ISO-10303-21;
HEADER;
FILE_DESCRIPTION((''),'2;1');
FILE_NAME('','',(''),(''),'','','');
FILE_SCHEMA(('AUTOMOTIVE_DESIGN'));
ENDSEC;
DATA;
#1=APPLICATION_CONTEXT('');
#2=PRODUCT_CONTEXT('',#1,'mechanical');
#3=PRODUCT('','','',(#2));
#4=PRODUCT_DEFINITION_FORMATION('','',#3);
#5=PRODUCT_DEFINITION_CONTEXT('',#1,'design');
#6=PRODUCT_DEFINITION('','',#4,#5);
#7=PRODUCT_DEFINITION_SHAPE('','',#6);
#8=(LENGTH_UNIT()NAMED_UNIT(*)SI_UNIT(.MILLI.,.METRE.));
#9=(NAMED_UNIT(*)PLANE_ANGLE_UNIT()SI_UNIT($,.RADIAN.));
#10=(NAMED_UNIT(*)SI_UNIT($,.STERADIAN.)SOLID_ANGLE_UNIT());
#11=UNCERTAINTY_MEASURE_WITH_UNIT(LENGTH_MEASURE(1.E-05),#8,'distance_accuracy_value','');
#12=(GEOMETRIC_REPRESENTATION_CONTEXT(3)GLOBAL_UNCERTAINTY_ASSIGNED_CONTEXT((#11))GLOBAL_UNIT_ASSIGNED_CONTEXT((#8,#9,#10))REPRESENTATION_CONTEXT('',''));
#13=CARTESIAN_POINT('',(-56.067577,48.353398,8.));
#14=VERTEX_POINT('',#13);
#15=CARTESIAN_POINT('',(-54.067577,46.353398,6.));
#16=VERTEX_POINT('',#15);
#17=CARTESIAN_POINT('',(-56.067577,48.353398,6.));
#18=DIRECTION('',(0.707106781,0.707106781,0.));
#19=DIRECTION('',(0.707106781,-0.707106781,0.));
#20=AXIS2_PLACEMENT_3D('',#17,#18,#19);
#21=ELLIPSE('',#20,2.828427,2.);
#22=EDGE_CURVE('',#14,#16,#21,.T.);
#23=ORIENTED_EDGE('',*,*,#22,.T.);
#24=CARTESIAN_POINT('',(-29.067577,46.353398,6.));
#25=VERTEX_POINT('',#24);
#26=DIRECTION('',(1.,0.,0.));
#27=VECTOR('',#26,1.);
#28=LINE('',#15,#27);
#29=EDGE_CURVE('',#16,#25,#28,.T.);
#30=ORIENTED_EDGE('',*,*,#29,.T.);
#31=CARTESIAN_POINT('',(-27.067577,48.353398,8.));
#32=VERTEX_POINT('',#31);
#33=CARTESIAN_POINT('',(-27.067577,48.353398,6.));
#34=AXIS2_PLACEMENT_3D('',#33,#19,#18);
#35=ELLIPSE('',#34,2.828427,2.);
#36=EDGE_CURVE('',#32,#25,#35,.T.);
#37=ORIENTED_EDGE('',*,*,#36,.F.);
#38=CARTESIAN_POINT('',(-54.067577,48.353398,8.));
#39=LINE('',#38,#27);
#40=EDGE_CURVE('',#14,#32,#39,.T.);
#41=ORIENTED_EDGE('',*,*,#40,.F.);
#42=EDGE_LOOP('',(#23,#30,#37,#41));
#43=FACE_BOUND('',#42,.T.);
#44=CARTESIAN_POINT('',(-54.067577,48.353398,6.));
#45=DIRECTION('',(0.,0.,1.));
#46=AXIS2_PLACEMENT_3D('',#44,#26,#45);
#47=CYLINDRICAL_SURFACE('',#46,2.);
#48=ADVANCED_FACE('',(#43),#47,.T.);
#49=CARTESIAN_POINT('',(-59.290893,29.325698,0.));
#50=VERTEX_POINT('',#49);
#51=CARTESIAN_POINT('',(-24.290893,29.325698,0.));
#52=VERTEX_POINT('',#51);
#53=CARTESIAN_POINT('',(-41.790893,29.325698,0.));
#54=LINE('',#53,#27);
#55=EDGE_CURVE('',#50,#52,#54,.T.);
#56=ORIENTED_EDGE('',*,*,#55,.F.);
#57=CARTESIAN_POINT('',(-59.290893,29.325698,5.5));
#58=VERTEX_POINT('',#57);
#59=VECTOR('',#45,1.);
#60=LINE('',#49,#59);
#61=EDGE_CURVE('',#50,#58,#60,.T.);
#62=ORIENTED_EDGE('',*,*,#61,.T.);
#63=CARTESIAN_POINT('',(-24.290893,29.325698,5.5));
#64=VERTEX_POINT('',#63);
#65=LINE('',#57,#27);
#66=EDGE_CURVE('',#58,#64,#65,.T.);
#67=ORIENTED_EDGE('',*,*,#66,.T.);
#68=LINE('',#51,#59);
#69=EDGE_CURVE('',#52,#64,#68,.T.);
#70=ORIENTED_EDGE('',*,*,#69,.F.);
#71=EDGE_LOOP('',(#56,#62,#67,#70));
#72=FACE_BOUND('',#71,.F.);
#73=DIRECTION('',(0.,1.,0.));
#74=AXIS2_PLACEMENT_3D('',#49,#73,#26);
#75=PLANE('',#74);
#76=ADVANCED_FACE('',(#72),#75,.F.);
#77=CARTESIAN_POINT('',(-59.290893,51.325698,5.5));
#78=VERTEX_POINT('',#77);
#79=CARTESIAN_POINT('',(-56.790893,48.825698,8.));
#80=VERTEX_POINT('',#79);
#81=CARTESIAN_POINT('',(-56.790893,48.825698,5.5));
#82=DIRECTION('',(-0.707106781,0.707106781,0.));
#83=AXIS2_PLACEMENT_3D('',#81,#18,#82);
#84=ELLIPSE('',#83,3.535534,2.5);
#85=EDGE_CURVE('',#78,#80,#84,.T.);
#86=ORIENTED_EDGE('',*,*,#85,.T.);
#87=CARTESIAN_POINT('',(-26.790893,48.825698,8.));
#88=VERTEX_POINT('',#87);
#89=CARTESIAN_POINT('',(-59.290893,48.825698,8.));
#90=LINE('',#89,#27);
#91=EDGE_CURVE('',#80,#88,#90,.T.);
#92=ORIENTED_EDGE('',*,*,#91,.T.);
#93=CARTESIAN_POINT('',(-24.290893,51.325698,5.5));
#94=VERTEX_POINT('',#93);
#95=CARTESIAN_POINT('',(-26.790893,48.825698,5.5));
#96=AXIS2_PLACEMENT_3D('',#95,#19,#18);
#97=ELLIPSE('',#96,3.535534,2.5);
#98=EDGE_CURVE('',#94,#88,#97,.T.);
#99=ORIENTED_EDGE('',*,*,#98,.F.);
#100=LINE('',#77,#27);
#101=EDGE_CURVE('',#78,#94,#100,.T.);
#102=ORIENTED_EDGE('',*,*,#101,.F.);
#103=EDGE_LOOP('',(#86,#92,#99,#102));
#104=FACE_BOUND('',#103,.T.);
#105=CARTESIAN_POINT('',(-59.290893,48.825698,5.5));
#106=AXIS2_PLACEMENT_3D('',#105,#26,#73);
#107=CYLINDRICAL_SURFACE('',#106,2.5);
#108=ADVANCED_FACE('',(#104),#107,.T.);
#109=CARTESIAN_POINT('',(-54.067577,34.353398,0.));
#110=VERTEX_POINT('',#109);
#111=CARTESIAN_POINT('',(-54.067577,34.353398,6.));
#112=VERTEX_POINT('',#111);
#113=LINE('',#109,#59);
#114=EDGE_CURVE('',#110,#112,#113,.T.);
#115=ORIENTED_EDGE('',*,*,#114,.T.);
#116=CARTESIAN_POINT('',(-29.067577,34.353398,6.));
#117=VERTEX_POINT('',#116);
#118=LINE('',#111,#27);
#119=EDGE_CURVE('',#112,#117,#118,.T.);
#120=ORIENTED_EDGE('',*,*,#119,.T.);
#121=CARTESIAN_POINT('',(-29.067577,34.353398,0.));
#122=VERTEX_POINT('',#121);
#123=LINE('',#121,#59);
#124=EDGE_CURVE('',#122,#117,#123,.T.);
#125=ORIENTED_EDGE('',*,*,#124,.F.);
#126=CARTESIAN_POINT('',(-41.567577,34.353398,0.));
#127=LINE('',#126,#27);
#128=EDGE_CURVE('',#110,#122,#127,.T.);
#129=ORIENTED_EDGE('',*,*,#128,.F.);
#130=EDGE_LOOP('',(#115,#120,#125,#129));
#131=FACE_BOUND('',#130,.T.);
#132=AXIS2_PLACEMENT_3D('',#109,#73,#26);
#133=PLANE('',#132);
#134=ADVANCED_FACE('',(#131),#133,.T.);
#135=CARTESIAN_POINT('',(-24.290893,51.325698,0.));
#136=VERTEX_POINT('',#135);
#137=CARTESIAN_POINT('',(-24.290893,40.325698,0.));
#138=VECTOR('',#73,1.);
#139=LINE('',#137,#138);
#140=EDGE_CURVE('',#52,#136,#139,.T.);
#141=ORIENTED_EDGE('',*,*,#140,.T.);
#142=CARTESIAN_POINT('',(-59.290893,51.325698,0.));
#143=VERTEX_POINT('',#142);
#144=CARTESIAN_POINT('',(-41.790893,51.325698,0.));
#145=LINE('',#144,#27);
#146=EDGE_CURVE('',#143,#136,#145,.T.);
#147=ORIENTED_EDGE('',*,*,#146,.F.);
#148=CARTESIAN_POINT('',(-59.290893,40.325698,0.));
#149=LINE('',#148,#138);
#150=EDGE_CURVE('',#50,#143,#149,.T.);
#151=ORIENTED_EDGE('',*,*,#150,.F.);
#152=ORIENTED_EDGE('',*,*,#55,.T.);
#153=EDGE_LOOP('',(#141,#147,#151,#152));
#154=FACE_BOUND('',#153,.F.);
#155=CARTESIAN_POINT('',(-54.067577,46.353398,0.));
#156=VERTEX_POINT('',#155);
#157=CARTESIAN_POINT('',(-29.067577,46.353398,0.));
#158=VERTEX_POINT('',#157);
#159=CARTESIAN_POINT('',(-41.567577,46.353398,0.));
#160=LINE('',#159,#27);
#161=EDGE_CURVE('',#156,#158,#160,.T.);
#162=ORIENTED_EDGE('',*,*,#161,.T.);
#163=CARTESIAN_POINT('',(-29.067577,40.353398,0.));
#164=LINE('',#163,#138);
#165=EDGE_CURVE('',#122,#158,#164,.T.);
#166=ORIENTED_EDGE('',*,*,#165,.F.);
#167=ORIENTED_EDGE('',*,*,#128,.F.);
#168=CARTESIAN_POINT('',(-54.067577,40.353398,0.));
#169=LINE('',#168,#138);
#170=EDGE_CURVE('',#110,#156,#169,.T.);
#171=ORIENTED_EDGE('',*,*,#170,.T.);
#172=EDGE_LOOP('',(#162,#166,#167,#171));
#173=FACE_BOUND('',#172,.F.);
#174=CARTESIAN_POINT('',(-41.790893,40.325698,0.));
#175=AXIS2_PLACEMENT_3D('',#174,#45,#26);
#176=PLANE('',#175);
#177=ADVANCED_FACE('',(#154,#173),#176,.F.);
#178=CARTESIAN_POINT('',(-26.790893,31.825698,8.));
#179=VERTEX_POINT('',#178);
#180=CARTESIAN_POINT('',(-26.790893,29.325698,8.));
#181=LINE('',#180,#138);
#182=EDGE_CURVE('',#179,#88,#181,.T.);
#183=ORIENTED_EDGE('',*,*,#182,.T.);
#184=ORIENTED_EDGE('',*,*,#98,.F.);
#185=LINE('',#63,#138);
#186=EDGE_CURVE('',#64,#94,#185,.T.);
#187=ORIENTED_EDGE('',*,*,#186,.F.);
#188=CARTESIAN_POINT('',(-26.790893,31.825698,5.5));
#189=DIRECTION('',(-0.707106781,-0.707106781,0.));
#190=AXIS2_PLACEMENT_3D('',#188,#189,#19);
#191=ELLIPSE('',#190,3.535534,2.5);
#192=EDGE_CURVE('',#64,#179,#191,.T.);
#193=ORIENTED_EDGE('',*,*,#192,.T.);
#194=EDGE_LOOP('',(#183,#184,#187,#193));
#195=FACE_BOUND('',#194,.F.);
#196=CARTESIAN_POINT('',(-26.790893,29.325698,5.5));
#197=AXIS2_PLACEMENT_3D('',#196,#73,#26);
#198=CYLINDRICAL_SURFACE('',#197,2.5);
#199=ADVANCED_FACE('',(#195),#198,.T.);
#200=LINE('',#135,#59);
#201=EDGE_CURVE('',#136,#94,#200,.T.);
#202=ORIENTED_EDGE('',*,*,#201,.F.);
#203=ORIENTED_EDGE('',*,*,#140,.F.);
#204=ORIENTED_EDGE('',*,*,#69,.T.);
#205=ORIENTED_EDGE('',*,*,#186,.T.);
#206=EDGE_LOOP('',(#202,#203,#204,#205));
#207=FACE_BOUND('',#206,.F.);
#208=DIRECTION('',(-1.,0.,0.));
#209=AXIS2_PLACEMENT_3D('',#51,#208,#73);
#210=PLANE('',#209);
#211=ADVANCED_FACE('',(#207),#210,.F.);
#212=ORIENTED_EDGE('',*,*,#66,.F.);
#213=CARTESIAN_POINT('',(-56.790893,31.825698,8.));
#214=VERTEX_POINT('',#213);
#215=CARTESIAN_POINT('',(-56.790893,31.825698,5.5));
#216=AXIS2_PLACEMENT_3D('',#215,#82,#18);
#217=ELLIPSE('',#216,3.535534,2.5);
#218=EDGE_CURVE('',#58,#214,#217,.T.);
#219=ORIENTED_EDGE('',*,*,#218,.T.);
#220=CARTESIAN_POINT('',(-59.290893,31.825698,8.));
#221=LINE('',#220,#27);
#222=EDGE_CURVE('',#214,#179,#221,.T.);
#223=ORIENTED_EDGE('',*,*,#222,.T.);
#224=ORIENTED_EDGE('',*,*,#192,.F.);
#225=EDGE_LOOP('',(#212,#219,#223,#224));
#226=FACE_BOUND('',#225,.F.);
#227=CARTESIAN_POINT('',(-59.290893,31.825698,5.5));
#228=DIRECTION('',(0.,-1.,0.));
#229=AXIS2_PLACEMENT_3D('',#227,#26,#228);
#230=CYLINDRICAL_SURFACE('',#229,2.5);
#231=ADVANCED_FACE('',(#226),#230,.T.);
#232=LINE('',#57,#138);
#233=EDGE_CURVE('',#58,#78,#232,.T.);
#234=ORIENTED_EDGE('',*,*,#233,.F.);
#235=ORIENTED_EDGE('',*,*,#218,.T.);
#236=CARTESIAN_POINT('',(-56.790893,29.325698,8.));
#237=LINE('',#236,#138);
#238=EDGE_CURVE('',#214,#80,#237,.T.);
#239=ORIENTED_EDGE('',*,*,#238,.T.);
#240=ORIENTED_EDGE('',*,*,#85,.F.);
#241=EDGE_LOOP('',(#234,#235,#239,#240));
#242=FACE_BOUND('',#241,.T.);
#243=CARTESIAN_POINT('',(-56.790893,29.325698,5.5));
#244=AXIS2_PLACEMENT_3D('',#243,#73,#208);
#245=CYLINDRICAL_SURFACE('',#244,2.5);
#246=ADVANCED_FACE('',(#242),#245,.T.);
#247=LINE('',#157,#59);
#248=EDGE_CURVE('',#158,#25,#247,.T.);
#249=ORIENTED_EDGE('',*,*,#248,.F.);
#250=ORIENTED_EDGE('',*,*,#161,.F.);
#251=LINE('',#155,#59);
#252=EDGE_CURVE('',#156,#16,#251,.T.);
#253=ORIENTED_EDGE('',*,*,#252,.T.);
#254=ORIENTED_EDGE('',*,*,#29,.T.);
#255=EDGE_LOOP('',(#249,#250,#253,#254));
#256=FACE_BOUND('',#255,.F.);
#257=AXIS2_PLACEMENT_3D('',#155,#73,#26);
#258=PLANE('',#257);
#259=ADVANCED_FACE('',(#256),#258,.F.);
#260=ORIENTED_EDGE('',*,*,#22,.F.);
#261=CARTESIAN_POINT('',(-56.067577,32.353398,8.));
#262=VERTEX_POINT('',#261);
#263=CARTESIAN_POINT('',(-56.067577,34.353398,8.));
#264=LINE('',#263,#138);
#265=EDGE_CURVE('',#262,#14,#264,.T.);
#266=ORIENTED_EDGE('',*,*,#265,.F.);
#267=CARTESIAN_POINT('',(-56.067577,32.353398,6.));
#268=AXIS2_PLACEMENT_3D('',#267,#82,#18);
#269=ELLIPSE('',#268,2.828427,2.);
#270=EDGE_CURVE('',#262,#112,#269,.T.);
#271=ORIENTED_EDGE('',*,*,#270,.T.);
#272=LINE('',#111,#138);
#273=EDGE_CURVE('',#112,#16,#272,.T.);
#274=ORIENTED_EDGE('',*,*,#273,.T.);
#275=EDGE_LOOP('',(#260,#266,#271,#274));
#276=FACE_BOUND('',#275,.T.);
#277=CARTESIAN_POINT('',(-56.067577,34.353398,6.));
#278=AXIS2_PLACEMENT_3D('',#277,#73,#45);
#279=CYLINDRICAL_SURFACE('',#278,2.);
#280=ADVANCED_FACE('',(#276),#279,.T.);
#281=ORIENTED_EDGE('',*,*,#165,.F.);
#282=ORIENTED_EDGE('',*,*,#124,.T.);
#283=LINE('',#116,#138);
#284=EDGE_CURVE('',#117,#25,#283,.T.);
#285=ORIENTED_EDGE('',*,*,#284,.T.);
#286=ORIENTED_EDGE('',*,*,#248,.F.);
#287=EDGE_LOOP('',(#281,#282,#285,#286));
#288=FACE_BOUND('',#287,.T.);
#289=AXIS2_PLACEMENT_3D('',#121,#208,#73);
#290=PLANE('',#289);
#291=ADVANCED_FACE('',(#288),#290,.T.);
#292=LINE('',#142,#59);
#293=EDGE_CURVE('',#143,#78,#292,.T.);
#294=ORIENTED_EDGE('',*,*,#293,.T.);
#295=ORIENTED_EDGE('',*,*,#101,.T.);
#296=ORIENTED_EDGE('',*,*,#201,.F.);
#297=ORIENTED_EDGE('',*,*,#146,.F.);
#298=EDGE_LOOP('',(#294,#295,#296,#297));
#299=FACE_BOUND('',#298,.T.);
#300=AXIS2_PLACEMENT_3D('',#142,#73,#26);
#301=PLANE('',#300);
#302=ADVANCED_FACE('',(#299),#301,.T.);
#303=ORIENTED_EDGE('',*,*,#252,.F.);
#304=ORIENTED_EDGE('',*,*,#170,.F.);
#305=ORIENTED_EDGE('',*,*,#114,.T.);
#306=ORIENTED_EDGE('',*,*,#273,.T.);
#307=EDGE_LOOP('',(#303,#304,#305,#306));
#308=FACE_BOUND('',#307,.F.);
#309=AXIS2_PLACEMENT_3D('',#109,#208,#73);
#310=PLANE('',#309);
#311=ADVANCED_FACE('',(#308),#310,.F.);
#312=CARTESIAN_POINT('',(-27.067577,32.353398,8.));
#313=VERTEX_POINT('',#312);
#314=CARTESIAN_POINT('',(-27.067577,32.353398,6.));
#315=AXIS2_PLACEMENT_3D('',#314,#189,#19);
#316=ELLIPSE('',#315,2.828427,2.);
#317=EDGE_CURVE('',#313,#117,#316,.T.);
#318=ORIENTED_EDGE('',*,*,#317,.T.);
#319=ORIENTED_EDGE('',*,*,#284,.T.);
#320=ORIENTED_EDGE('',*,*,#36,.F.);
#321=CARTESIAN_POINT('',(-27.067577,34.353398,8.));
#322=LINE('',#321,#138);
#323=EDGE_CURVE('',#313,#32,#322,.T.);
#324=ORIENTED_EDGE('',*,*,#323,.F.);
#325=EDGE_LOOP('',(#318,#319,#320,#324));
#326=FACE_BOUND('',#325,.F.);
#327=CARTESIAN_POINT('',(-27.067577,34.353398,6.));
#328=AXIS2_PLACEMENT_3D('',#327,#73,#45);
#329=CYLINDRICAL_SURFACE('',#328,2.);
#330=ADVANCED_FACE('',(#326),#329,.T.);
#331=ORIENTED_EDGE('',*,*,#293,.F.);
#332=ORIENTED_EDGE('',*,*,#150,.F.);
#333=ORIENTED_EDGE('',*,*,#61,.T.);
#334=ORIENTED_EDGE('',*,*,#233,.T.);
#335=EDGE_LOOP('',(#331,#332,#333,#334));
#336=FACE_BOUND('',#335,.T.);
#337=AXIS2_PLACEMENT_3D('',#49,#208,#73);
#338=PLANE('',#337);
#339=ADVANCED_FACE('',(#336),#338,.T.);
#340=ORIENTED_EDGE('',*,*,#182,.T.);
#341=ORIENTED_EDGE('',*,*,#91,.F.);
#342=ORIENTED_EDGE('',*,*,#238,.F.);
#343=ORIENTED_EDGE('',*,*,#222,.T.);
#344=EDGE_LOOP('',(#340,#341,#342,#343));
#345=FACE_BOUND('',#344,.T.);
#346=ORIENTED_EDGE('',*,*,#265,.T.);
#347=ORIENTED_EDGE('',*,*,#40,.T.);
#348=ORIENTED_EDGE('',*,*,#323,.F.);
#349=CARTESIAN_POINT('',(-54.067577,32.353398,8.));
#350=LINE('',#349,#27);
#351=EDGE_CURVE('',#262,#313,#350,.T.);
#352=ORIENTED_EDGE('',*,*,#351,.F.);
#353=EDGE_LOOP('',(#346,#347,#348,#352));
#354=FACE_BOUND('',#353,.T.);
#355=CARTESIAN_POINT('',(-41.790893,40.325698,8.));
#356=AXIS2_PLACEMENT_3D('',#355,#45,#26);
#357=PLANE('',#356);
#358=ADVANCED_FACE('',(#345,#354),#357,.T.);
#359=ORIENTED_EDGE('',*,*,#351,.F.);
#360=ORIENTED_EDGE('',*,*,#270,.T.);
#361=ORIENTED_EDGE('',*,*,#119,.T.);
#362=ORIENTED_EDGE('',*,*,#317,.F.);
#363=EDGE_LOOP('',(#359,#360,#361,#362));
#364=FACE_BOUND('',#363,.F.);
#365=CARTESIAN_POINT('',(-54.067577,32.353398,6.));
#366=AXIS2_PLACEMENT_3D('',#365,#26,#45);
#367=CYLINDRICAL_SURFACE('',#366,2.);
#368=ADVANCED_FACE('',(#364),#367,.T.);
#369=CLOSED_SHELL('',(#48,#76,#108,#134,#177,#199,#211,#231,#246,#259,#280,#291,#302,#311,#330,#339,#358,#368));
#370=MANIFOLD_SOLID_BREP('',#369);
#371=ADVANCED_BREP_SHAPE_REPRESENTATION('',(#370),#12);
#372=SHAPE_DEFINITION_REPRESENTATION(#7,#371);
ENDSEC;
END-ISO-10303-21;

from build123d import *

# Parameters (mm, degrees)
F0_W     = 35
F0_H     = 22
F0_W_2   = 25
F0_H_2   = 12
F1_DEPTH = 8
F2_R     = 2.5
F3_R     = 2


with BuildPart() as f1:
    # F0 (on Top) → F1 (new body)
    with BuildSketch(Plane.XY):
        with Locations((-41.790893, 40.325698)):
            Rectangle(F0_W, F0_H)
        with Locations((-41.567577, 40.353398)):
            Rectangle(F0_W_2, F0_H_2, mode=Mode.SUBTRACT)
    extrude(amount=F1_DEPTH)

    # F2
    f2_edges = [f1.edges().sort_by_distance(p)[0] for p in [
        (-41.790893, 29.325698, 8),
        (-59.290893, 40.325698, 8),
        (-41.790893, 51.325698, 8),
        (-24.290893, 40.325698, 8),
    ]]
    fillet(f2_edges, radius=F2_R)

    # F3
    f3_edges = [f1.edges().sort_by_distance(p)[0] for p in [
        (-41.567577, 46.353398, 8),
        (-54.067577, 40.353398, 8),
        (-41.567577, 34.353398, 8),
        (-29.067577, 40.353398, 8),
    ]]
    fillet(f3_edges, radius=F3_R)


solid = f1.part
